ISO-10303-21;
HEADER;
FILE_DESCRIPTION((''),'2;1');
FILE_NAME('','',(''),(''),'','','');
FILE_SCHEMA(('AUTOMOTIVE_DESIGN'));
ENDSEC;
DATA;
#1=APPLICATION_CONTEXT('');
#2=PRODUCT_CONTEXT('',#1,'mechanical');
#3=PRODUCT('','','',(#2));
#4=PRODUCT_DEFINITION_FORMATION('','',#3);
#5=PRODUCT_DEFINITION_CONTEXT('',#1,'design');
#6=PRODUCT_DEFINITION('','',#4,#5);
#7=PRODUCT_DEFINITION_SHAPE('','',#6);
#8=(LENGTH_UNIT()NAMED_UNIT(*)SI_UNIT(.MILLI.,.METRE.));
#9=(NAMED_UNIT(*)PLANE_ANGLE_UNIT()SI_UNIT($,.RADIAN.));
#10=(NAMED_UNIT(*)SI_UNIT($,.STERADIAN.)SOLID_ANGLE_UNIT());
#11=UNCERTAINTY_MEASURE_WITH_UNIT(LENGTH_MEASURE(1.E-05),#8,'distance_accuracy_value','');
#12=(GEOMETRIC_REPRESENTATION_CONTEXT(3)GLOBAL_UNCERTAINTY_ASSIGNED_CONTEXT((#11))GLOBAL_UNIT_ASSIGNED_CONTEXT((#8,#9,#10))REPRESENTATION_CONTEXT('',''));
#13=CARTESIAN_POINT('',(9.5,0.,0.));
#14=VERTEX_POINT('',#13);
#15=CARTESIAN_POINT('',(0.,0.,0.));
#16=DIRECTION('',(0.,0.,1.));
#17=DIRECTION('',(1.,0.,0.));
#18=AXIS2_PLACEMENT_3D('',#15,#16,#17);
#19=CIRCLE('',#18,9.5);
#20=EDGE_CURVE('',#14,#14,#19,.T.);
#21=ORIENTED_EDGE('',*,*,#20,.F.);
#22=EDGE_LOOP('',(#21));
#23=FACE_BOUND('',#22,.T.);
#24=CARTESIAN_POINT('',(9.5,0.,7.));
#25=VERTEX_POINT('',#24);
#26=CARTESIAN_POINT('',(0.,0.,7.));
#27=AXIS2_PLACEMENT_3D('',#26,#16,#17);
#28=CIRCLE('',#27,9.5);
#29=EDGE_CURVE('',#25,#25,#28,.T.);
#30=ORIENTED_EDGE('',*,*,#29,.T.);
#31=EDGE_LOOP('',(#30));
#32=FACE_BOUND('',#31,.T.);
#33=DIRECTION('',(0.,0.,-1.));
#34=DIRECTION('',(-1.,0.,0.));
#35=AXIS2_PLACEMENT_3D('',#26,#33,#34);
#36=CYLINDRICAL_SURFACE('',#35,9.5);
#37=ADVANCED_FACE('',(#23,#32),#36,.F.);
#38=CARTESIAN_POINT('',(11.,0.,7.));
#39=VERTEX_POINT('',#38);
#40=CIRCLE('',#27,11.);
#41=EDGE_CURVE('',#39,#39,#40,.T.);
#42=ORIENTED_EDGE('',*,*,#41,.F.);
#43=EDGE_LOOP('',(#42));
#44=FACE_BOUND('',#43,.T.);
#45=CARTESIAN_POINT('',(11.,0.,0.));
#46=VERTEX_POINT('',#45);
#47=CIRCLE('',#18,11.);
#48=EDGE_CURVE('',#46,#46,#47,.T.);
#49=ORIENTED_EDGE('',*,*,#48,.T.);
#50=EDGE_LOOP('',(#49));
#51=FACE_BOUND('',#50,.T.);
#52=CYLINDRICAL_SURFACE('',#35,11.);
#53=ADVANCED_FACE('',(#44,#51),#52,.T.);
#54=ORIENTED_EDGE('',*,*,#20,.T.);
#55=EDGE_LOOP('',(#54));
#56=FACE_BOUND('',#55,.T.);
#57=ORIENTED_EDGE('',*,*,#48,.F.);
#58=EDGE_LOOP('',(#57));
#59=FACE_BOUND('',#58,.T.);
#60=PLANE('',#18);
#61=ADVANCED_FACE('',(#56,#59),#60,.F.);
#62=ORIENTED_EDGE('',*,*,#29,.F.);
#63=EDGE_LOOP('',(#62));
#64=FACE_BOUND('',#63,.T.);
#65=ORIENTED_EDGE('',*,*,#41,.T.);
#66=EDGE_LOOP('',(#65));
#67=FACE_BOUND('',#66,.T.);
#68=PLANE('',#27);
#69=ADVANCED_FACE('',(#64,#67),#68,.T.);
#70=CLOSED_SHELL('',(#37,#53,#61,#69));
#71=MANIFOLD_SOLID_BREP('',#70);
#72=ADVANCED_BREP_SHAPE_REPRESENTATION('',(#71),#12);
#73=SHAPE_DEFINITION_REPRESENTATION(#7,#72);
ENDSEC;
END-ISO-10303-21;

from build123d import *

# Parameters (mm, degrees)
CROQUIS1_R              = 11
CROQUIS1_R_2            = 9.5
SALIENTE_EXTRUIR1_DEPTH = 7


with BuildPart() as part:
    # Croquis1 → Saliente-Extruir1 (new body)
    with BuildSketch(Plane.XY):
        Circle(CROQUIS1_R)
        Circle(CROQUIS1_R_2, mode=Mode.SUBTRACT)
    extrude(amount=SALIENTE_EXTRUIR1_DEPTH)


solid = part.part
